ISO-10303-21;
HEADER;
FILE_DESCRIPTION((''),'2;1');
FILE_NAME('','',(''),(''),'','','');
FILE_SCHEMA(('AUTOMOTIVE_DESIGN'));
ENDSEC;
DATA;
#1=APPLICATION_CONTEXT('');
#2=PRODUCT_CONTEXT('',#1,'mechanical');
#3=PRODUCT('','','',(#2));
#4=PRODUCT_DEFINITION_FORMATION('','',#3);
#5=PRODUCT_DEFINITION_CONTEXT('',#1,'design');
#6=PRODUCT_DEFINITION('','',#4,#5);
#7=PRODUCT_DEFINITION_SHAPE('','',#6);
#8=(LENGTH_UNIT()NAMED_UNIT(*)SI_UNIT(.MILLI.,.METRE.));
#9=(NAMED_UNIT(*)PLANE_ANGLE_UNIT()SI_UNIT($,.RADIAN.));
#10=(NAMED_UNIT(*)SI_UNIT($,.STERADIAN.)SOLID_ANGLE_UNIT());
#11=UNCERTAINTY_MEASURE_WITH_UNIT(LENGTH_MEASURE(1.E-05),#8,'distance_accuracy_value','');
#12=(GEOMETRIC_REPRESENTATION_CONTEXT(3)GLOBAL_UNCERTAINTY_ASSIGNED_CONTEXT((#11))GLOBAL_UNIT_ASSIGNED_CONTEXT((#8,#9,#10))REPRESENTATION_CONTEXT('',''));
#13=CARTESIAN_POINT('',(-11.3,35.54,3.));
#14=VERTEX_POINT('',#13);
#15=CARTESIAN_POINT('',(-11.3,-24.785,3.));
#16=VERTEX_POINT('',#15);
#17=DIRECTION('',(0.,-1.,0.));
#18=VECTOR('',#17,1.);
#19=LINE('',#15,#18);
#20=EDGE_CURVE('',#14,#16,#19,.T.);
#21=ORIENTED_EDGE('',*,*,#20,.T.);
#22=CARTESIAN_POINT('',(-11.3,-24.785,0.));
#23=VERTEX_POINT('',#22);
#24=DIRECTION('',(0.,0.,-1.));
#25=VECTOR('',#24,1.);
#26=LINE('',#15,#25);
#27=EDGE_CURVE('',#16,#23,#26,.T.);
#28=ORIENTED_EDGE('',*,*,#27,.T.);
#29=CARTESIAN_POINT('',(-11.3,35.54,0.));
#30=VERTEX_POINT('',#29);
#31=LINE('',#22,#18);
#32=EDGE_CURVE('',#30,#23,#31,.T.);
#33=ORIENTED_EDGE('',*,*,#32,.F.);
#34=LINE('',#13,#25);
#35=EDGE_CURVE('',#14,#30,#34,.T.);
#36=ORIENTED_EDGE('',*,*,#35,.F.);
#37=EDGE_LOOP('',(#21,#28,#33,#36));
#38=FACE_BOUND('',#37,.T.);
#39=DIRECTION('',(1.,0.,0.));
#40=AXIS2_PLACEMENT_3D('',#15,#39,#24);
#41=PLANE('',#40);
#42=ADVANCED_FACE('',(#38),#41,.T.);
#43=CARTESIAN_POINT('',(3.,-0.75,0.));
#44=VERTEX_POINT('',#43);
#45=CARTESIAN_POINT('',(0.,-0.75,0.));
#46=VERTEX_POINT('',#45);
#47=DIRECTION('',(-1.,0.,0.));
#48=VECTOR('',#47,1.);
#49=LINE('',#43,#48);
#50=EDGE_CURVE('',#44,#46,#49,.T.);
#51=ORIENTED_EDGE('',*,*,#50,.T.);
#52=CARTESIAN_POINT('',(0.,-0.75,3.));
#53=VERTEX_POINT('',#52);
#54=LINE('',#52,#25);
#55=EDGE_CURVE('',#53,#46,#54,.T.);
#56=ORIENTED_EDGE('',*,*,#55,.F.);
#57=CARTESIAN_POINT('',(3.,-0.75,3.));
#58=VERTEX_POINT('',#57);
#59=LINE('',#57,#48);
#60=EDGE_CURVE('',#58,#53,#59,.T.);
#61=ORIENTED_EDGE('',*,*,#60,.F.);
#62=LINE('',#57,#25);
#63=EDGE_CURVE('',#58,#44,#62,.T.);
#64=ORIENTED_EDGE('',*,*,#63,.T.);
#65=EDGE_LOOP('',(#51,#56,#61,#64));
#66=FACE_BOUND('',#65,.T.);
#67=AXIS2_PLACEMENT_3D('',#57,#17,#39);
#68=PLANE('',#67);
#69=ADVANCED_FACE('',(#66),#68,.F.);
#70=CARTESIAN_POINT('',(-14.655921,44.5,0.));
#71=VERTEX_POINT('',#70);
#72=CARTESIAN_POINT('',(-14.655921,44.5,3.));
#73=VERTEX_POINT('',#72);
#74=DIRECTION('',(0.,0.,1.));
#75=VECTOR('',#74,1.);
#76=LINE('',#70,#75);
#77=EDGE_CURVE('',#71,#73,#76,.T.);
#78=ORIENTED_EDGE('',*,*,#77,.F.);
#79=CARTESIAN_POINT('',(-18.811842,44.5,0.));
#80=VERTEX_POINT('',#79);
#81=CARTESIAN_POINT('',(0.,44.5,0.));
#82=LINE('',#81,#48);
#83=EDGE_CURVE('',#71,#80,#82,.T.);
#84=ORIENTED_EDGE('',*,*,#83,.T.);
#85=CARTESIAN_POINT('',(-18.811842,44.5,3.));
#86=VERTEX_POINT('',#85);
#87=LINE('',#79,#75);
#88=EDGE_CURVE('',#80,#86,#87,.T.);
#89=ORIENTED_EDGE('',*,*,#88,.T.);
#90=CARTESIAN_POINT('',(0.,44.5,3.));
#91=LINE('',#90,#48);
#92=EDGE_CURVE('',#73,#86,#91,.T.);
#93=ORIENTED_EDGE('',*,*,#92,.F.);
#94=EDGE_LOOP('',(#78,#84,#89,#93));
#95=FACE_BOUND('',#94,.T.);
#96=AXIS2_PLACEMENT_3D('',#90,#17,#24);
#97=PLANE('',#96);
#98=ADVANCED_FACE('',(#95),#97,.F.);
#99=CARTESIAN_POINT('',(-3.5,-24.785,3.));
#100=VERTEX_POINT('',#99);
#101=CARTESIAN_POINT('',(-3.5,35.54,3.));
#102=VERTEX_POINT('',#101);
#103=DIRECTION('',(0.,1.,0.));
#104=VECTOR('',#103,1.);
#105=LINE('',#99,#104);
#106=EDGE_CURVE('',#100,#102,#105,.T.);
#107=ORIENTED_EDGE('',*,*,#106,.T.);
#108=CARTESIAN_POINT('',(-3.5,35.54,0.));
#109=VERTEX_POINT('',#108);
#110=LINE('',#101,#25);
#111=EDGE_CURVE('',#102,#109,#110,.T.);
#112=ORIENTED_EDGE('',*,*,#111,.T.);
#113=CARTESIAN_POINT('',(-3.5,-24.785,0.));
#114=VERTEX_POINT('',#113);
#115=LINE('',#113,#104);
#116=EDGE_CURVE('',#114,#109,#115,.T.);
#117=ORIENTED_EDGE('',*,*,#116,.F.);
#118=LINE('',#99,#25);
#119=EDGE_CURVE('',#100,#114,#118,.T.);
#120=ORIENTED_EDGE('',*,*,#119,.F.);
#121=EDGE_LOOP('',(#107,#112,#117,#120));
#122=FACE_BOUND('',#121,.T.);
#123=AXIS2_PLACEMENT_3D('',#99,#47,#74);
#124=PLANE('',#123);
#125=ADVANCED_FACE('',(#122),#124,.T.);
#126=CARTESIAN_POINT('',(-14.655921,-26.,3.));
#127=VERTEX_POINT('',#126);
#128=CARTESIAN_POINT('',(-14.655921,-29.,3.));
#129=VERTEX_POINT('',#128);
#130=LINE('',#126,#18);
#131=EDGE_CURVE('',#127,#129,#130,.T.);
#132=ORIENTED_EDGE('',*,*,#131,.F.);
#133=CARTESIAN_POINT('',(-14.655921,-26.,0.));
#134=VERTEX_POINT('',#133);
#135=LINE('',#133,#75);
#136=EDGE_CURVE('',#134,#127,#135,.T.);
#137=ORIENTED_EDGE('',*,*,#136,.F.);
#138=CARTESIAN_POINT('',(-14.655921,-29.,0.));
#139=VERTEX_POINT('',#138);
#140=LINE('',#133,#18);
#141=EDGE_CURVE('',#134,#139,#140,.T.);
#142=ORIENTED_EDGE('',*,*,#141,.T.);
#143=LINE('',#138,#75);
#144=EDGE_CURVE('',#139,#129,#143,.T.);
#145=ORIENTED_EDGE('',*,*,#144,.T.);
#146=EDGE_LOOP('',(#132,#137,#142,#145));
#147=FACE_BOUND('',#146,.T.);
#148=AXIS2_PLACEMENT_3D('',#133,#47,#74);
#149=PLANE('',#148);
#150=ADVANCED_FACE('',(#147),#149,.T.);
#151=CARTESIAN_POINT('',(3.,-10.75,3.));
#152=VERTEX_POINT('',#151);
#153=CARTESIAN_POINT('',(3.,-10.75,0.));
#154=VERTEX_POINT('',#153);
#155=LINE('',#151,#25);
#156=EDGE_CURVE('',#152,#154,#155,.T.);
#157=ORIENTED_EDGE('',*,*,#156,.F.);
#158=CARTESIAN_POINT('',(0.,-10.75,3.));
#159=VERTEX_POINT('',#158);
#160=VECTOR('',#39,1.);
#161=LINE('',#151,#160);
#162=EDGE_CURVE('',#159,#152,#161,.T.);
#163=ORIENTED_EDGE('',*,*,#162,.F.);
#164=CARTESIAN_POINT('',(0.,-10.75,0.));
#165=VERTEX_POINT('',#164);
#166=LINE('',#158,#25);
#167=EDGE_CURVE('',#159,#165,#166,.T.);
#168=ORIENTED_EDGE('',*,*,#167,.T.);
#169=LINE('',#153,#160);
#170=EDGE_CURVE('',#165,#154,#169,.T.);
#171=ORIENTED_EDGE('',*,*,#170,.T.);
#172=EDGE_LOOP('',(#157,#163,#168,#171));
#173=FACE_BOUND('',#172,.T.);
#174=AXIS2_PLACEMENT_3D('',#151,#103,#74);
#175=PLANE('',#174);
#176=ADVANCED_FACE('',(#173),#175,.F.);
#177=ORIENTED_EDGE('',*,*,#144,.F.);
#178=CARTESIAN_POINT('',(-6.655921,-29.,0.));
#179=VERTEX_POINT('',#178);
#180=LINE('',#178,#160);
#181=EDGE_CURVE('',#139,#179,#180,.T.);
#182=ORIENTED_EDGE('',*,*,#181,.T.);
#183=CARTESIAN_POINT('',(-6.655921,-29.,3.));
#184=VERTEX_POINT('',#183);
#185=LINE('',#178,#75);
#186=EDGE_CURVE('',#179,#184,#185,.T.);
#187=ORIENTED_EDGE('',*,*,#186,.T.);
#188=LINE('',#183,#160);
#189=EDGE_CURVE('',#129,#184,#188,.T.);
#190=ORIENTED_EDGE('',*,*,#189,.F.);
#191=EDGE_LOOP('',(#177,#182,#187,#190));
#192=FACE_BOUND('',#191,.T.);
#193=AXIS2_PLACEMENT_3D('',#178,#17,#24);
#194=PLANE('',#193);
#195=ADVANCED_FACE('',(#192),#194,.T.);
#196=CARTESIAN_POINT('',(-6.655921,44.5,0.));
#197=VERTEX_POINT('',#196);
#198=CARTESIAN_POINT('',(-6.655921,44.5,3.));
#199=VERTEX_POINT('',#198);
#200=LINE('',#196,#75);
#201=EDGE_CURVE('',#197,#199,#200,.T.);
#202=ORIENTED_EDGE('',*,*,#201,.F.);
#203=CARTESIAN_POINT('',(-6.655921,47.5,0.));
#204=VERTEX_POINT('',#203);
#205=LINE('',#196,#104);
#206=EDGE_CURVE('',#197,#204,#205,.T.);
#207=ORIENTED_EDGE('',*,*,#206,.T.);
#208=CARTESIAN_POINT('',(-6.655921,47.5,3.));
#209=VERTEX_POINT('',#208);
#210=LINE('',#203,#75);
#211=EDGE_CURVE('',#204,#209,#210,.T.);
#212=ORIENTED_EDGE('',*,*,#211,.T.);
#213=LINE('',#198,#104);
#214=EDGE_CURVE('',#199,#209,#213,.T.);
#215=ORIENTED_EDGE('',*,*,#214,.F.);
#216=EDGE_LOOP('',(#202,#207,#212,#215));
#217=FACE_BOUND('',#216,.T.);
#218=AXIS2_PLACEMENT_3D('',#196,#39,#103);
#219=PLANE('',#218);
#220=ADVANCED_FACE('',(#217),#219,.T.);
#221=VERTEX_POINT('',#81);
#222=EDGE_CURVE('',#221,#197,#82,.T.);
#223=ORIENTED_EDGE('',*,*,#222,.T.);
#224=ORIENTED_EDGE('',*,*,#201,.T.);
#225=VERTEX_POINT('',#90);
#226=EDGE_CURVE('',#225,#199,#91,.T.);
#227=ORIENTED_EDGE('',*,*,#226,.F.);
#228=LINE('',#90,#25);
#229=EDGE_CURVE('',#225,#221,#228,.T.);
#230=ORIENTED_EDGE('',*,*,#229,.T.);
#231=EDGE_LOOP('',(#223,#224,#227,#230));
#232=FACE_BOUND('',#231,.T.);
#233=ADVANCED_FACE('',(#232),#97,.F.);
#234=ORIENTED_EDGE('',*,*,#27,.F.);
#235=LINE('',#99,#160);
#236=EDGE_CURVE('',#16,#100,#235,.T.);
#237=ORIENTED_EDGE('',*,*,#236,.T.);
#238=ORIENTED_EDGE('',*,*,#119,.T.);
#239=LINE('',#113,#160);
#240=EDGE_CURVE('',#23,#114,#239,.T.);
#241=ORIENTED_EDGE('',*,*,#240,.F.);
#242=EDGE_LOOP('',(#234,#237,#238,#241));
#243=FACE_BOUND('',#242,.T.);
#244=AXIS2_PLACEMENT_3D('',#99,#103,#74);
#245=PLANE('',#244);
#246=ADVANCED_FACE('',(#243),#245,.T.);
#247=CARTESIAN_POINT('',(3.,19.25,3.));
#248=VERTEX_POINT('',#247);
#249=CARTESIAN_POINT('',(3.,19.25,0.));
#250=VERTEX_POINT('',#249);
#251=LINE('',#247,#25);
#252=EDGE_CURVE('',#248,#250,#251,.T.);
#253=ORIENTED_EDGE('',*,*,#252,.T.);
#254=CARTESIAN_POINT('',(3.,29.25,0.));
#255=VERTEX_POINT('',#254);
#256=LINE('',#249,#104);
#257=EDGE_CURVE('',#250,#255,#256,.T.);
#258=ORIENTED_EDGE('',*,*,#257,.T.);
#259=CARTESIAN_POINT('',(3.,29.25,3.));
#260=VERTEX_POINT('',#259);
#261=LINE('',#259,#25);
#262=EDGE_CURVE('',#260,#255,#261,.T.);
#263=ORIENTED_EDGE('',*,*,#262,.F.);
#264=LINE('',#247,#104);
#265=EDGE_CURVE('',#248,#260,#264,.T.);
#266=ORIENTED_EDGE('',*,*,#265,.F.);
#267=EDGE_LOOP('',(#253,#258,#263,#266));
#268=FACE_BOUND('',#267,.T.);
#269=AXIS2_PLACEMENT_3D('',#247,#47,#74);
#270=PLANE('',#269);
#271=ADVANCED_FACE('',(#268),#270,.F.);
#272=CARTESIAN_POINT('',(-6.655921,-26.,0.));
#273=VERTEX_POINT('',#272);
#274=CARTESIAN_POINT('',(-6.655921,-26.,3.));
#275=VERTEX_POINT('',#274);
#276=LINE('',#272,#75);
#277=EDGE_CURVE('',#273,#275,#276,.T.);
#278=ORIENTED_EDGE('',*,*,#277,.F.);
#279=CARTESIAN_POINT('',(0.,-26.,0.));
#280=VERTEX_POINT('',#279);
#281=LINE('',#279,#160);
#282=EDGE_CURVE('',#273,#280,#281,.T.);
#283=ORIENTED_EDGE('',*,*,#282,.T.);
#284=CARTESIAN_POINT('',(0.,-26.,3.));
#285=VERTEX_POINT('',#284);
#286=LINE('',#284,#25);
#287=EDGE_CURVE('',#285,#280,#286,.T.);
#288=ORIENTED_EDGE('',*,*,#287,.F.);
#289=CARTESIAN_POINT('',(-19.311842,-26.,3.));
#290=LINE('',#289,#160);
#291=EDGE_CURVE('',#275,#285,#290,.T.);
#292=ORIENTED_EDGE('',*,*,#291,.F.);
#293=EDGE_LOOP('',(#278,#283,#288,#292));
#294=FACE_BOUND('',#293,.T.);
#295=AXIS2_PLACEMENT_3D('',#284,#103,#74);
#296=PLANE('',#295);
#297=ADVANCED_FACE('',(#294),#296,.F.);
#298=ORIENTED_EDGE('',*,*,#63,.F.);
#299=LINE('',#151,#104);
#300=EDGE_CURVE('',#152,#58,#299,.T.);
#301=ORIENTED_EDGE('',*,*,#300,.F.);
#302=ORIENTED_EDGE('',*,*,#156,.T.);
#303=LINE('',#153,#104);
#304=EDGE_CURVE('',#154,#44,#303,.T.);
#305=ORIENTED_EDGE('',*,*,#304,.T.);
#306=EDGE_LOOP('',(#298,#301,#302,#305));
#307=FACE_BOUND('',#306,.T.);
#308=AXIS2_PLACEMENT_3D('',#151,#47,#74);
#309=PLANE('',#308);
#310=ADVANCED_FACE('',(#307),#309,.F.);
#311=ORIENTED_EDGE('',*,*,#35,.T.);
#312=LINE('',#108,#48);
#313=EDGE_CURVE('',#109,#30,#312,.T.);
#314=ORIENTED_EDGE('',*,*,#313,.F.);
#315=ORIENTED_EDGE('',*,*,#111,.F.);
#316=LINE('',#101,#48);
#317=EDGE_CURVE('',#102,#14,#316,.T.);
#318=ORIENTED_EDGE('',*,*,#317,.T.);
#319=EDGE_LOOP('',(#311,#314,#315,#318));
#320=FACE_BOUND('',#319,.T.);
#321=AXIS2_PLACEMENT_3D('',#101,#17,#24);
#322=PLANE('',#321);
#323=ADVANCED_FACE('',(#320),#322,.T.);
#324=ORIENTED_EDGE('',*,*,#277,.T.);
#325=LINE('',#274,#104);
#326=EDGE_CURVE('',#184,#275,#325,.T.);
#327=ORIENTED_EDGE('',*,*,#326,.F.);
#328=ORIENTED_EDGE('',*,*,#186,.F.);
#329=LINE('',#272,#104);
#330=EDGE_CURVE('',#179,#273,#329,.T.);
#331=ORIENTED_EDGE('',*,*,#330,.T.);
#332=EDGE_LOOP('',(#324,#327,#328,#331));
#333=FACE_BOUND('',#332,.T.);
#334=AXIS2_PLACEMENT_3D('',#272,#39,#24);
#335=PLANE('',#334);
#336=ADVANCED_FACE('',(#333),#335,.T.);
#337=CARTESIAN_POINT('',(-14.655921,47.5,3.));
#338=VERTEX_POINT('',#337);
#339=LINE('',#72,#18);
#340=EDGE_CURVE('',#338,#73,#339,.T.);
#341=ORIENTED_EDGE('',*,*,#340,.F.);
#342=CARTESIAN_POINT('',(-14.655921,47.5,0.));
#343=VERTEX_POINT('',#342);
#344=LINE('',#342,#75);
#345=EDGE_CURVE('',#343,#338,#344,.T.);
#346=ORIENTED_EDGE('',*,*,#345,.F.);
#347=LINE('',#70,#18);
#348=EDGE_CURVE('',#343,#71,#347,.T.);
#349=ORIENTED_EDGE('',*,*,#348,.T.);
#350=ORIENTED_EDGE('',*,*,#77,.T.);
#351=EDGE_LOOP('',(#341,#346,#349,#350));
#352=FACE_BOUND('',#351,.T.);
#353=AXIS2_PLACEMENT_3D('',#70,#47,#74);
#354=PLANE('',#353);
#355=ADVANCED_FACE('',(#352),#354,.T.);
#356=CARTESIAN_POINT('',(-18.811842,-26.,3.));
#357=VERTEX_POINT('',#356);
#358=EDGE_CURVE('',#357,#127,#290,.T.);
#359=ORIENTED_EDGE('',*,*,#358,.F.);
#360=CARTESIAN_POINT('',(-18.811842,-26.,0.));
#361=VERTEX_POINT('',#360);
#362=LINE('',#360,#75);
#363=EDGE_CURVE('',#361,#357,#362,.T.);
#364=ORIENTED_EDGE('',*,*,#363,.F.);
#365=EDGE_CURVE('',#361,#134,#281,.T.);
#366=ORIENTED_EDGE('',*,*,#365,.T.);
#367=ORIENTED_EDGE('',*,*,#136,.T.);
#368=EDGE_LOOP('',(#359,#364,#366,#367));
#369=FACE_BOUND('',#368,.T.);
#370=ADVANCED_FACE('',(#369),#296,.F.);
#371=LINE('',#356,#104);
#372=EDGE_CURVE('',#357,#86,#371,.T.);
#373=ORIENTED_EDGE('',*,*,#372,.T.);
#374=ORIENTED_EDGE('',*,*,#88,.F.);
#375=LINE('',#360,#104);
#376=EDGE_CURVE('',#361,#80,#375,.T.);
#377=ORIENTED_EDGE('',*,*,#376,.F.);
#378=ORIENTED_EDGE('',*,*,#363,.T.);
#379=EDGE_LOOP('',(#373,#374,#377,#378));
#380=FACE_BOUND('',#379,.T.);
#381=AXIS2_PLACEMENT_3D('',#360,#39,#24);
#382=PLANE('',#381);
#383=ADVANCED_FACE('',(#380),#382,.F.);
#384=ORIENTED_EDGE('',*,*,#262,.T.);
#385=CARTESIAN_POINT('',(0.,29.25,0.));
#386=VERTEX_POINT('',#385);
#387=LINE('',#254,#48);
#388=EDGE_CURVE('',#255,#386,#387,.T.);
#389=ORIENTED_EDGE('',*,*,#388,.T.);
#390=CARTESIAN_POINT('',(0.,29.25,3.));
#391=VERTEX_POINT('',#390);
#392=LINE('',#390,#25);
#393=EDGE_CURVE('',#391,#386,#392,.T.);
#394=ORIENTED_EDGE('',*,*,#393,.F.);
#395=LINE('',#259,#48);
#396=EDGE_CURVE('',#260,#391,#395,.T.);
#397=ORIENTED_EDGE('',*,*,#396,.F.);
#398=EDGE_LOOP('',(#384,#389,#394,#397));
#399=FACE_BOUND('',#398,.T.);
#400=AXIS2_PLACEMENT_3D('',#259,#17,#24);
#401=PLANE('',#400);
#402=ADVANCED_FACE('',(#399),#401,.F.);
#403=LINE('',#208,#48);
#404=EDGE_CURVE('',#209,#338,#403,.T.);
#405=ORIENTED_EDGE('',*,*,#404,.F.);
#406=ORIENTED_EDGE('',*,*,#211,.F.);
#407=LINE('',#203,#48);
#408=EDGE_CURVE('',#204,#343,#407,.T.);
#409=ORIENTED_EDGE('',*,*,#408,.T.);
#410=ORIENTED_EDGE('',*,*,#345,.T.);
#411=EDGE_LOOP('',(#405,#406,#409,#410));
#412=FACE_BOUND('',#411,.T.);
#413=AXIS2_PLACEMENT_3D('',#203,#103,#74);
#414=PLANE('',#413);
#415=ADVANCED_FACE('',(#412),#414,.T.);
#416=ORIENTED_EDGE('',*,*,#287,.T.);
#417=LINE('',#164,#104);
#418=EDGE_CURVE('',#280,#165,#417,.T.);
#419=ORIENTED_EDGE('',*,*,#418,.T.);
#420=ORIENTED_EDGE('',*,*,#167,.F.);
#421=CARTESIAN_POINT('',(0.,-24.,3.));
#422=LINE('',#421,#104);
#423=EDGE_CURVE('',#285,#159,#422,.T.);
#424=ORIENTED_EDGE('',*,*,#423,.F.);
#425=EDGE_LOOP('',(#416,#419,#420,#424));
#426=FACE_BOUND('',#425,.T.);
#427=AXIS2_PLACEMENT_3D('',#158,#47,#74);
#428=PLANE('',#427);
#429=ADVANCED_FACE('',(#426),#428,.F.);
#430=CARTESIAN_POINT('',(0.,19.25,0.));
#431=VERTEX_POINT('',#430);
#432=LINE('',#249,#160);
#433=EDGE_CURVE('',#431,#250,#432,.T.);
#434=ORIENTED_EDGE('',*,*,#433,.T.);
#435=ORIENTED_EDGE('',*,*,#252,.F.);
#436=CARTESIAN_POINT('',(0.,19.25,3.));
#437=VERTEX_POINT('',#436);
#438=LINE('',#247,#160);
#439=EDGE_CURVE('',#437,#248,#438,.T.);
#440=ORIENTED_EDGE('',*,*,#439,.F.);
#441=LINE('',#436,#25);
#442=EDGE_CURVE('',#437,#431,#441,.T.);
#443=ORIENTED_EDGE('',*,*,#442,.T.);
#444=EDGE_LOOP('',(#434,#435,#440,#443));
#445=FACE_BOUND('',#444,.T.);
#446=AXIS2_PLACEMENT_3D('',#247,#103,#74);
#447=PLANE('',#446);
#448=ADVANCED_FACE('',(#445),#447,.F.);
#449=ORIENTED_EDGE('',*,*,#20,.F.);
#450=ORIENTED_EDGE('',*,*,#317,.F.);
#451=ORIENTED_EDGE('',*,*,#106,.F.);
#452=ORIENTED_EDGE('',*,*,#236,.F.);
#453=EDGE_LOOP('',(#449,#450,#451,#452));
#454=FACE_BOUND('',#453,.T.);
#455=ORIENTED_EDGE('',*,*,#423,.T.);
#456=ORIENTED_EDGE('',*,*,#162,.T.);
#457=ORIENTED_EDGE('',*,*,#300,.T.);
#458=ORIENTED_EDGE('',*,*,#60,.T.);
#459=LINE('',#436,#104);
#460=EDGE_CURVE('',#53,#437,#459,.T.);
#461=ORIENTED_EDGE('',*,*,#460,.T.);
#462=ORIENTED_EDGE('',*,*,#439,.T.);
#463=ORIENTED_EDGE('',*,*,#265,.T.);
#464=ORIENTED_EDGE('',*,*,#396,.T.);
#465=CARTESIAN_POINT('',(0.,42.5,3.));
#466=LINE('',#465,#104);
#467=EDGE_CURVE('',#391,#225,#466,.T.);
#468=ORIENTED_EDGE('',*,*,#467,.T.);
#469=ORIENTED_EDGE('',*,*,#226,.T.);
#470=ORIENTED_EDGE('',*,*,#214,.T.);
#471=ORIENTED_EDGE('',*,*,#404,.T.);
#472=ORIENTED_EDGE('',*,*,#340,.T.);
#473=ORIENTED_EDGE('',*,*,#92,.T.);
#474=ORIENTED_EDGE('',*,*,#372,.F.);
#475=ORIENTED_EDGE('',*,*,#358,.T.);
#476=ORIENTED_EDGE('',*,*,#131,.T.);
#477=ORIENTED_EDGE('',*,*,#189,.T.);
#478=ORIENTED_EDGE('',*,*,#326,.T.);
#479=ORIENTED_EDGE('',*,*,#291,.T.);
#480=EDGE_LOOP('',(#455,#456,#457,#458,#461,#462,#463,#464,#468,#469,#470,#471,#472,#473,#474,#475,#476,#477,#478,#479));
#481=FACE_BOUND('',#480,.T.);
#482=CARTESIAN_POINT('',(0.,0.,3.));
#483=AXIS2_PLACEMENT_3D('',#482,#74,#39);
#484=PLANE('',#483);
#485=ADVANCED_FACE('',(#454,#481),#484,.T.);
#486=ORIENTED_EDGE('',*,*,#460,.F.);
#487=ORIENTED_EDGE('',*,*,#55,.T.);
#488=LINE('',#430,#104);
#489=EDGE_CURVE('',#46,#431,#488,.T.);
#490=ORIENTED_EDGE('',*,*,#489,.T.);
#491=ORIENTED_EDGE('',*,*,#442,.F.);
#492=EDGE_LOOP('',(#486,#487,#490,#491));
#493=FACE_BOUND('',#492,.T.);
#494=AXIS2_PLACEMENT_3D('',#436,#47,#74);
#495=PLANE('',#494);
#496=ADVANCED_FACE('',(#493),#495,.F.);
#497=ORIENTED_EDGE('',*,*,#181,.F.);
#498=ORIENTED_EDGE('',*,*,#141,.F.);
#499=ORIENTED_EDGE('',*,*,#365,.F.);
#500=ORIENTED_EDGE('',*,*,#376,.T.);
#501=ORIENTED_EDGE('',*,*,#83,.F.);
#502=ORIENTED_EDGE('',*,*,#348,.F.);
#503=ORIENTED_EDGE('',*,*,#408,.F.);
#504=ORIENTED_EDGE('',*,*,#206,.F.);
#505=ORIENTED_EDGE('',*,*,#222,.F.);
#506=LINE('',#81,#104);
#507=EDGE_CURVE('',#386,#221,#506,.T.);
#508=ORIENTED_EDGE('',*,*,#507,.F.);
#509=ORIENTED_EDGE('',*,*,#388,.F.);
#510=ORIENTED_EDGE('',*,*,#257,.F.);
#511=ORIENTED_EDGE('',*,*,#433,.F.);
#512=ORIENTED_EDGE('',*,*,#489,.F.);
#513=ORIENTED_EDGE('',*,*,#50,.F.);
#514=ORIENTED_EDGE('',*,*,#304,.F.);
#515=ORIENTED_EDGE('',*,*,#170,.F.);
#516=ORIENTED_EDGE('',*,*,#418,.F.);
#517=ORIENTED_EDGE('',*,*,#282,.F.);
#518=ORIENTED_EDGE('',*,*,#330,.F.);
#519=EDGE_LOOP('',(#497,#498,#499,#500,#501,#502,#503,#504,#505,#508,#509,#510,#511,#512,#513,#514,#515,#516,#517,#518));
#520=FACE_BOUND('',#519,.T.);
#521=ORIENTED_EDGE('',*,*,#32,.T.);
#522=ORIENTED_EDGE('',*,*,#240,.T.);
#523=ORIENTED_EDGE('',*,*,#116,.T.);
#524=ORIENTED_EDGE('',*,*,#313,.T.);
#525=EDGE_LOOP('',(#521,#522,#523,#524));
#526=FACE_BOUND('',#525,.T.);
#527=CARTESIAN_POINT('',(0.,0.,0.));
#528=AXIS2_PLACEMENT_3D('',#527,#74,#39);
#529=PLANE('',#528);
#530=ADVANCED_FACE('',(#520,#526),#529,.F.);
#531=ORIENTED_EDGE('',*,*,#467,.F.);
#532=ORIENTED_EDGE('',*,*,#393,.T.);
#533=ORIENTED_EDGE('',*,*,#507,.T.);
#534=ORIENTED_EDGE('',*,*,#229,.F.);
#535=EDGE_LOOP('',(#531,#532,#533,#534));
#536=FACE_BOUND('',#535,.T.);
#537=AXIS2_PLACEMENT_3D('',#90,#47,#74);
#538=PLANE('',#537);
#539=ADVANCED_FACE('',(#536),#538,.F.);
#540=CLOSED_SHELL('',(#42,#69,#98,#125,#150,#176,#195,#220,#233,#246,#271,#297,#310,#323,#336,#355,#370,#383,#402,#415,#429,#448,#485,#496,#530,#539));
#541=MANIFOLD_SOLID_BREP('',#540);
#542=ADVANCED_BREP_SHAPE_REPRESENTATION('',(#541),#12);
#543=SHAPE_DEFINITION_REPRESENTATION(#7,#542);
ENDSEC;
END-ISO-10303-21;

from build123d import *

# Parameters (mm, degrees)
SKETCH1_W           = 7.8
SKETCH1_H           = 60.325
BOSS_EXTRUDE1_DEPTH = 3
SKETCH2_W           = 2.5
SKETCH2_H           = 70.5
CUT_EXTRUDE1_DEPTH  = 3
SKETCH3_W           = 8
SKETCH3_H           = 3
BOSS_EXTRUDE2_DEPTH = 3


with BuildPart() as part:
    # Sketch1 → Boss-Extrude1 (new body)
    with BuildSketch(Plane.XY):
        Polygon((3, -10.75), (3, -0.75), (0, -0.75), (0, 19.25), (3, 19.25), (3, 29.25), (0, 29.25), (0, 42.5), (0, 44.5), (-21.311841589, 44.5), (-21.311841589, -26), (-19.311841589, -26), (-2, -26), (0, -26), (0, -24), (0, -10.75), align=None)
        with Locations((-7.4, 5.3775)):
            Rectangle(SKETCH1_W, SKETCH1_H, mode=Mode.SUBTRACT)
    extrude(amount=BOSS_EXTRUDE1_DEPTH)

    # Sketch2 → Cut-Extrude1 (cut)
    with BuildSketch(Plane.XY.offset(3)):
        with Locations((-20.061841589, 9.25)):
            Rectangle(SKETCH2_W, SKETCH2_H)
    extrude(amount=-CUT_EXTRUDE1_DEPTH, mode=Mode.SUBTRACT)

    # Sketch3 → Boss-Extrude2 (add)
    with BuildSketch(Plane.XY.offset(3)):
        with Locations((-10.655920795, -27.5)):
            Rectangle(SKETCH3_W, SKETCH3_H)
        with Locations((-10.655920795, 46)):
            Rectangle(SKETCH3_W, SKETCH3_H)
    extrude(amount=-BOSS_EXTRUDE2_DEPTH)


solid = part.part
